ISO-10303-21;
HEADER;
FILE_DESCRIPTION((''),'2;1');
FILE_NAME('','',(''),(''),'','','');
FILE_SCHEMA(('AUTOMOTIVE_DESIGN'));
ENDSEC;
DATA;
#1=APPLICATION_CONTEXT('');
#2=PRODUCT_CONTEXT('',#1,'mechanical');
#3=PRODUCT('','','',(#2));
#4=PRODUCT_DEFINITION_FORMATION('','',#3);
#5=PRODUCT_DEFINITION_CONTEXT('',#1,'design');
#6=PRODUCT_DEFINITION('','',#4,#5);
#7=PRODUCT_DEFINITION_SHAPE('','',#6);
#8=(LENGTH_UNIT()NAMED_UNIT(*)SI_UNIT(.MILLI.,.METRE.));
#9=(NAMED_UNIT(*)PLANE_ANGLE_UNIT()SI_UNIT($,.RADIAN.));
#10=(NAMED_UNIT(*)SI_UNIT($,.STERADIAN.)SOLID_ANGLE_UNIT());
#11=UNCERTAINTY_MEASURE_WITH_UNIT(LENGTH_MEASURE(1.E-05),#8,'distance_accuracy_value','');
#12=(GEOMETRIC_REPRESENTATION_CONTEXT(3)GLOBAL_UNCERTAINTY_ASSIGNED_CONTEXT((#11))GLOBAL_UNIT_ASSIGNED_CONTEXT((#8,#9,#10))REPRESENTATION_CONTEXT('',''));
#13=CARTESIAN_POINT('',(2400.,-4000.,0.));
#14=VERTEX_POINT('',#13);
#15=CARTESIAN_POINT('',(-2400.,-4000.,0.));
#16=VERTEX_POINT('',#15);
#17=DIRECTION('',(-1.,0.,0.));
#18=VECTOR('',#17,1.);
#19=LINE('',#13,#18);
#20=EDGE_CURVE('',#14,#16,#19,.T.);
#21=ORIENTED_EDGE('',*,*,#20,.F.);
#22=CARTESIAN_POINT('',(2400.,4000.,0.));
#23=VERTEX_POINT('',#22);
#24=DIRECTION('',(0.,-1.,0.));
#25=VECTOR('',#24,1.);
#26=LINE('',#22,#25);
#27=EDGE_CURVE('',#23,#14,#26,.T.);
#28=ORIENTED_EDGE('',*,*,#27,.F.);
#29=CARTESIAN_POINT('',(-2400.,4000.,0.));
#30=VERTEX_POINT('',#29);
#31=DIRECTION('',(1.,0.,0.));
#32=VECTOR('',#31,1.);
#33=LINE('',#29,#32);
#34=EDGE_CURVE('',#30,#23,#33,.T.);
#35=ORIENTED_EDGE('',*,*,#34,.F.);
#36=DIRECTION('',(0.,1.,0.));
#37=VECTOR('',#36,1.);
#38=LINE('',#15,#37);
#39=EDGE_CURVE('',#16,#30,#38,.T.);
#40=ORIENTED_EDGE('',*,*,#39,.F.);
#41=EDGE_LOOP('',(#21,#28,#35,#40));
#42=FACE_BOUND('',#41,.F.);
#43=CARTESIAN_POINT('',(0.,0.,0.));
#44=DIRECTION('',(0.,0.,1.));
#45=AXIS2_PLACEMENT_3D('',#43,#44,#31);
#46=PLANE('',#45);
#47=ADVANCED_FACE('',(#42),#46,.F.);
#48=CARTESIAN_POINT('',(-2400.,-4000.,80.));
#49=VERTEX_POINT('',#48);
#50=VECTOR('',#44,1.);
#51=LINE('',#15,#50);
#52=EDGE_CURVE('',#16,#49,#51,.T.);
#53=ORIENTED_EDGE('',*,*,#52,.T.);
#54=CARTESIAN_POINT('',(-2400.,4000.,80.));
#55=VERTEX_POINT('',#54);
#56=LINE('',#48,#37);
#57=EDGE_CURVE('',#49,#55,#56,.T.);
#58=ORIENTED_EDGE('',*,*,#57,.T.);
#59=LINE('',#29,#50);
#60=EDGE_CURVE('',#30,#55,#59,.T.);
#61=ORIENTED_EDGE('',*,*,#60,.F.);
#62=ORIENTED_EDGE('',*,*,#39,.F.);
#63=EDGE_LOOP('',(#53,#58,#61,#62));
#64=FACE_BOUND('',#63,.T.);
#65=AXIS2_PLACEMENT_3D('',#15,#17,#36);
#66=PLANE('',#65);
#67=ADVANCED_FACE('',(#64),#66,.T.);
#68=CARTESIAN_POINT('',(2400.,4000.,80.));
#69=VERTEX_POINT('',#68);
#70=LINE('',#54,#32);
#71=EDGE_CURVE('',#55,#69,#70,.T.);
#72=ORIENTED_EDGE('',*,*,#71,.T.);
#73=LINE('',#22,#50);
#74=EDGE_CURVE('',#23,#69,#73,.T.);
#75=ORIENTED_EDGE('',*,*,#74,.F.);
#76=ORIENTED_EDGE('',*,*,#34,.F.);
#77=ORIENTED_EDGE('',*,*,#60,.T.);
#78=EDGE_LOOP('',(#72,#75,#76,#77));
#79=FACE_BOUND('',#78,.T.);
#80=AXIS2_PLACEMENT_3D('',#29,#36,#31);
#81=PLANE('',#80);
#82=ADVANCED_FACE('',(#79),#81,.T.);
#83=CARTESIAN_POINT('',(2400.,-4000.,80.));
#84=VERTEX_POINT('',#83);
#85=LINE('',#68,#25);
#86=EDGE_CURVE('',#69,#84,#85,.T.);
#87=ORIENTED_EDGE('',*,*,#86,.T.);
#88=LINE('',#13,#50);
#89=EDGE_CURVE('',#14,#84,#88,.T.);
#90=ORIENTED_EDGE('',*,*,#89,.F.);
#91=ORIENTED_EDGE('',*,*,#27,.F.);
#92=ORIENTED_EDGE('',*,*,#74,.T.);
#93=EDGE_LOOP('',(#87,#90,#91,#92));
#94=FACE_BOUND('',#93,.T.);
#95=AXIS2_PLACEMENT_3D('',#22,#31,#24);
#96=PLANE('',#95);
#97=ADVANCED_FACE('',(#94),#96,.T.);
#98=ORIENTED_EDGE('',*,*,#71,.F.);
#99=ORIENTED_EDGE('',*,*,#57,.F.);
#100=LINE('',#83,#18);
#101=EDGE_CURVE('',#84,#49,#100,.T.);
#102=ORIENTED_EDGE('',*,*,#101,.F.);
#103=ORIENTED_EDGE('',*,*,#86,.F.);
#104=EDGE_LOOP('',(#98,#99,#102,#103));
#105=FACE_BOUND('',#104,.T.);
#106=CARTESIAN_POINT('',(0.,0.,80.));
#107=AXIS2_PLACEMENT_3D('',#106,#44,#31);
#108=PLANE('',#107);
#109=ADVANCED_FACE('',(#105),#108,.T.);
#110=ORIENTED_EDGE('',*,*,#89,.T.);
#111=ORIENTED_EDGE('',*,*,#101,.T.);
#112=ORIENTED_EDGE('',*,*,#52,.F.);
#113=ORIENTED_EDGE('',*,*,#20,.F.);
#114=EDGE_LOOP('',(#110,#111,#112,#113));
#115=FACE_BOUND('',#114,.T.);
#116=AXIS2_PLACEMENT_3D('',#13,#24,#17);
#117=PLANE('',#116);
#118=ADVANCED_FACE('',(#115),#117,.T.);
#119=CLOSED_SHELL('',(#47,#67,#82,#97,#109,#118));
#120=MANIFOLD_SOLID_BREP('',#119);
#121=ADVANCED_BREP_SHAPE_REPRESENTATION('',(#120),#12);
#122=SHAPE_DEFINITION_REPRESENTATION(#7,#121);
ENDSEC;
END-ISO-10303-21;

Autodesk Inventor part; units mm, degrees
ref_plane "YZ Plane" through (0, 0, 0) normal (1, 0, 0) x (0, 1, 0)
ref_plane "XZ Plane" through (0, 0, 0) normal (0, 1, 0) x (-1, 0, 0)
ref_plane "XY Plane" through (0, 0, 0) normal (0, 0, 1) x (1, 0, 0)
sketch "Sketch1" plane through (0, 0, 0) normal (0, 0, 1) x (1, 0, 0)
  line L0 (2400, -4000) -> (-2400, -4000)
  line L1 (-2400, -4000) -> (-2400, 4000)
  line L2 (-2400, 4000) -> (2400, 4000)
  line L3 (2400, 4000) -> (2400, -4000)
  line L4 (2400, -4000) -> (-2400, 4000) construction
  line L5 (-2400, -4000) -> (2400, 4000) construction
  point P0 (0, 0)
  dimension "d0" = 4800
  dimension "d1" = 8000
extrude "Extrusion1" add sketch "Sketch1" along normal blind 80
properties part number "SLM- Floordummy"
